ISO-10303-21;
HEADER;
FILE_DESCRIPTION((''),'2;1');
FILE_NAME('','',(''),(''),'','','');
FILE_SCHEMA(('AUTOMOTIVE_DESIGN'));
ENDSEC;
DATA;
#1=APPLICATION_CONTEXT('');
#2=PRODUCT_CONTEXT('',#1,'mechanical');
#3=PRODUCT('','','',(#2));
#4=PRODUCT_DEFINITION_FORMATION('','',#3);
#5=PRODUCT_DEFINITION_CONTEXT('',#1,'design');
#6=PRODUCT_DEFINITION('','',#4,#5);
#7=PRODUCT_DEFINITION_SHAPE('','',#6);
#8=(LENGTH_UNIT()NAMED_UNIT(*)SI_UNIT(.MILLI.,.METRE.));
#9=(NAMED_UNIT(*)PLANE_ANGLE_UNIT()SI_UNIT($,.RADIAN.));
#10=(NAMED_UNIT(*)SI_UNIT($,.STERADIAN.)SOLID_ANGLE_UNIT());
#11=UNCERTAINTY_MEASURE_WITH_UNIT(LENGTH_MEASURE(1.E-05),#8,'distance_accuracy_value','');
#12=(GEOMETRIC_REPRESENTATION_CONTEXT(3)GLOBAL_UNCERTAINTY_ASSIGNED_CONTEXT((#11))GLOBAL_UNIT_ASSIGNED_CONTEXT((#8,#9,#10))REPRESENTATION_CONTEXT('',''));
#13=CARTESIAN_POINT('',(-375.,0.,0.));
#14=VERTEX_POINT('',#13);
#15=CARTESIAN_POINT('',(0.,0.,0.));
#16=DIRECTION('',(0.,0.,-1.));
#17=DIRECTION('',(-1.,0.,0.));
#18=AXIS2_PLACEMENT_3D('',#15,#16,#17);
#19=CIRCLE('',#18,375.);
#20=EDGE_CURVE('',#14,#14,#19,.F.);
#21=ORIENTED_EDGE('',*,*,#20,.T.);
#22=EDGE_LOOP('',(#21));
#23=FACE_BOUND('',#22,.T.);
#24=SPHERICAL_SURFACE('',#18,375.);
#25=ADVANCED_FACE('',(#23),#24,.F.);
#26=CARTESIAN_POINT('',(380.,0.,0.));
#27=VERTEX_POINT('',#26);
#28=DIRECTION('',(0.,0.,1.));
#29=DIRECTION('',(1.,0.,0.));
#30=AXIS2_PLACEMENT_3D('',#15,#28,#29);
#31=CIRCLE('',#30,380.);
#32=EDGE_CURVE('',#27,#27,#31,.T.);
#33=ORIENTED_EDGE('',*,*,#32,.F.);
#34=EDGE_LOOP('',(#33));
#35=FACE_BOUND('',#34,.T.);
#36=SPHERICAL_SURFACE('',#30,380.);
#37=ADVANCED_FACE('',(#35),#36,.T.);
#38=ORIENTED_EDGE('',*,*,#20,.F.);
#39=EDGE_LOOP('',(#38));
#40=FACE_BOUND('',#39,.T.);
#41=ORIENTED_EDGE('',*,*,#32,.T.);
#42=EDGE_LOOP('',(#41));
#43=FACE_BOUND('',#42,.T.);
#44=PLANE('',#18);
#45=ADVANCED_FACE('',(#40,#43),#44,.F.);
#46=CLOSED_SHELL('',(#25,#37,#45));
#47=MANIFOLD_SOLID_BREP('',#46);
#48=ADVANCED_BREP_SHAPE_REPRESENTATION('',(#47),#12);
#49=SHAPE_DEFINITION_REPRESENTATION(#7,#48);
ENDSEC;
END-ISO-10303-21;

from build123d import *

# Parameters (mm, degrees)
REVOLVE_THIN1_ANGLE = 180


with BuildPart() as part:
    # Sketch2 → Revolve-Thin1 (revolve)
    with BuildSketch(Plane.XY):
        with BuildLine():
            ThreePointArc((0, 380), (380, 0), (0, -380))
            Line((0, -380), (0, -375))
            ThreePointArc((0, -375), (375, 0), (0, 375))
            Line((0, 375), (0, 380))
        make_face()
    revolve(axis=Axis((0, -1000, 0), (0, 1, 0)), revolution_arc=REVOLVE_THIN1_ANGLE)


solid = part.part
